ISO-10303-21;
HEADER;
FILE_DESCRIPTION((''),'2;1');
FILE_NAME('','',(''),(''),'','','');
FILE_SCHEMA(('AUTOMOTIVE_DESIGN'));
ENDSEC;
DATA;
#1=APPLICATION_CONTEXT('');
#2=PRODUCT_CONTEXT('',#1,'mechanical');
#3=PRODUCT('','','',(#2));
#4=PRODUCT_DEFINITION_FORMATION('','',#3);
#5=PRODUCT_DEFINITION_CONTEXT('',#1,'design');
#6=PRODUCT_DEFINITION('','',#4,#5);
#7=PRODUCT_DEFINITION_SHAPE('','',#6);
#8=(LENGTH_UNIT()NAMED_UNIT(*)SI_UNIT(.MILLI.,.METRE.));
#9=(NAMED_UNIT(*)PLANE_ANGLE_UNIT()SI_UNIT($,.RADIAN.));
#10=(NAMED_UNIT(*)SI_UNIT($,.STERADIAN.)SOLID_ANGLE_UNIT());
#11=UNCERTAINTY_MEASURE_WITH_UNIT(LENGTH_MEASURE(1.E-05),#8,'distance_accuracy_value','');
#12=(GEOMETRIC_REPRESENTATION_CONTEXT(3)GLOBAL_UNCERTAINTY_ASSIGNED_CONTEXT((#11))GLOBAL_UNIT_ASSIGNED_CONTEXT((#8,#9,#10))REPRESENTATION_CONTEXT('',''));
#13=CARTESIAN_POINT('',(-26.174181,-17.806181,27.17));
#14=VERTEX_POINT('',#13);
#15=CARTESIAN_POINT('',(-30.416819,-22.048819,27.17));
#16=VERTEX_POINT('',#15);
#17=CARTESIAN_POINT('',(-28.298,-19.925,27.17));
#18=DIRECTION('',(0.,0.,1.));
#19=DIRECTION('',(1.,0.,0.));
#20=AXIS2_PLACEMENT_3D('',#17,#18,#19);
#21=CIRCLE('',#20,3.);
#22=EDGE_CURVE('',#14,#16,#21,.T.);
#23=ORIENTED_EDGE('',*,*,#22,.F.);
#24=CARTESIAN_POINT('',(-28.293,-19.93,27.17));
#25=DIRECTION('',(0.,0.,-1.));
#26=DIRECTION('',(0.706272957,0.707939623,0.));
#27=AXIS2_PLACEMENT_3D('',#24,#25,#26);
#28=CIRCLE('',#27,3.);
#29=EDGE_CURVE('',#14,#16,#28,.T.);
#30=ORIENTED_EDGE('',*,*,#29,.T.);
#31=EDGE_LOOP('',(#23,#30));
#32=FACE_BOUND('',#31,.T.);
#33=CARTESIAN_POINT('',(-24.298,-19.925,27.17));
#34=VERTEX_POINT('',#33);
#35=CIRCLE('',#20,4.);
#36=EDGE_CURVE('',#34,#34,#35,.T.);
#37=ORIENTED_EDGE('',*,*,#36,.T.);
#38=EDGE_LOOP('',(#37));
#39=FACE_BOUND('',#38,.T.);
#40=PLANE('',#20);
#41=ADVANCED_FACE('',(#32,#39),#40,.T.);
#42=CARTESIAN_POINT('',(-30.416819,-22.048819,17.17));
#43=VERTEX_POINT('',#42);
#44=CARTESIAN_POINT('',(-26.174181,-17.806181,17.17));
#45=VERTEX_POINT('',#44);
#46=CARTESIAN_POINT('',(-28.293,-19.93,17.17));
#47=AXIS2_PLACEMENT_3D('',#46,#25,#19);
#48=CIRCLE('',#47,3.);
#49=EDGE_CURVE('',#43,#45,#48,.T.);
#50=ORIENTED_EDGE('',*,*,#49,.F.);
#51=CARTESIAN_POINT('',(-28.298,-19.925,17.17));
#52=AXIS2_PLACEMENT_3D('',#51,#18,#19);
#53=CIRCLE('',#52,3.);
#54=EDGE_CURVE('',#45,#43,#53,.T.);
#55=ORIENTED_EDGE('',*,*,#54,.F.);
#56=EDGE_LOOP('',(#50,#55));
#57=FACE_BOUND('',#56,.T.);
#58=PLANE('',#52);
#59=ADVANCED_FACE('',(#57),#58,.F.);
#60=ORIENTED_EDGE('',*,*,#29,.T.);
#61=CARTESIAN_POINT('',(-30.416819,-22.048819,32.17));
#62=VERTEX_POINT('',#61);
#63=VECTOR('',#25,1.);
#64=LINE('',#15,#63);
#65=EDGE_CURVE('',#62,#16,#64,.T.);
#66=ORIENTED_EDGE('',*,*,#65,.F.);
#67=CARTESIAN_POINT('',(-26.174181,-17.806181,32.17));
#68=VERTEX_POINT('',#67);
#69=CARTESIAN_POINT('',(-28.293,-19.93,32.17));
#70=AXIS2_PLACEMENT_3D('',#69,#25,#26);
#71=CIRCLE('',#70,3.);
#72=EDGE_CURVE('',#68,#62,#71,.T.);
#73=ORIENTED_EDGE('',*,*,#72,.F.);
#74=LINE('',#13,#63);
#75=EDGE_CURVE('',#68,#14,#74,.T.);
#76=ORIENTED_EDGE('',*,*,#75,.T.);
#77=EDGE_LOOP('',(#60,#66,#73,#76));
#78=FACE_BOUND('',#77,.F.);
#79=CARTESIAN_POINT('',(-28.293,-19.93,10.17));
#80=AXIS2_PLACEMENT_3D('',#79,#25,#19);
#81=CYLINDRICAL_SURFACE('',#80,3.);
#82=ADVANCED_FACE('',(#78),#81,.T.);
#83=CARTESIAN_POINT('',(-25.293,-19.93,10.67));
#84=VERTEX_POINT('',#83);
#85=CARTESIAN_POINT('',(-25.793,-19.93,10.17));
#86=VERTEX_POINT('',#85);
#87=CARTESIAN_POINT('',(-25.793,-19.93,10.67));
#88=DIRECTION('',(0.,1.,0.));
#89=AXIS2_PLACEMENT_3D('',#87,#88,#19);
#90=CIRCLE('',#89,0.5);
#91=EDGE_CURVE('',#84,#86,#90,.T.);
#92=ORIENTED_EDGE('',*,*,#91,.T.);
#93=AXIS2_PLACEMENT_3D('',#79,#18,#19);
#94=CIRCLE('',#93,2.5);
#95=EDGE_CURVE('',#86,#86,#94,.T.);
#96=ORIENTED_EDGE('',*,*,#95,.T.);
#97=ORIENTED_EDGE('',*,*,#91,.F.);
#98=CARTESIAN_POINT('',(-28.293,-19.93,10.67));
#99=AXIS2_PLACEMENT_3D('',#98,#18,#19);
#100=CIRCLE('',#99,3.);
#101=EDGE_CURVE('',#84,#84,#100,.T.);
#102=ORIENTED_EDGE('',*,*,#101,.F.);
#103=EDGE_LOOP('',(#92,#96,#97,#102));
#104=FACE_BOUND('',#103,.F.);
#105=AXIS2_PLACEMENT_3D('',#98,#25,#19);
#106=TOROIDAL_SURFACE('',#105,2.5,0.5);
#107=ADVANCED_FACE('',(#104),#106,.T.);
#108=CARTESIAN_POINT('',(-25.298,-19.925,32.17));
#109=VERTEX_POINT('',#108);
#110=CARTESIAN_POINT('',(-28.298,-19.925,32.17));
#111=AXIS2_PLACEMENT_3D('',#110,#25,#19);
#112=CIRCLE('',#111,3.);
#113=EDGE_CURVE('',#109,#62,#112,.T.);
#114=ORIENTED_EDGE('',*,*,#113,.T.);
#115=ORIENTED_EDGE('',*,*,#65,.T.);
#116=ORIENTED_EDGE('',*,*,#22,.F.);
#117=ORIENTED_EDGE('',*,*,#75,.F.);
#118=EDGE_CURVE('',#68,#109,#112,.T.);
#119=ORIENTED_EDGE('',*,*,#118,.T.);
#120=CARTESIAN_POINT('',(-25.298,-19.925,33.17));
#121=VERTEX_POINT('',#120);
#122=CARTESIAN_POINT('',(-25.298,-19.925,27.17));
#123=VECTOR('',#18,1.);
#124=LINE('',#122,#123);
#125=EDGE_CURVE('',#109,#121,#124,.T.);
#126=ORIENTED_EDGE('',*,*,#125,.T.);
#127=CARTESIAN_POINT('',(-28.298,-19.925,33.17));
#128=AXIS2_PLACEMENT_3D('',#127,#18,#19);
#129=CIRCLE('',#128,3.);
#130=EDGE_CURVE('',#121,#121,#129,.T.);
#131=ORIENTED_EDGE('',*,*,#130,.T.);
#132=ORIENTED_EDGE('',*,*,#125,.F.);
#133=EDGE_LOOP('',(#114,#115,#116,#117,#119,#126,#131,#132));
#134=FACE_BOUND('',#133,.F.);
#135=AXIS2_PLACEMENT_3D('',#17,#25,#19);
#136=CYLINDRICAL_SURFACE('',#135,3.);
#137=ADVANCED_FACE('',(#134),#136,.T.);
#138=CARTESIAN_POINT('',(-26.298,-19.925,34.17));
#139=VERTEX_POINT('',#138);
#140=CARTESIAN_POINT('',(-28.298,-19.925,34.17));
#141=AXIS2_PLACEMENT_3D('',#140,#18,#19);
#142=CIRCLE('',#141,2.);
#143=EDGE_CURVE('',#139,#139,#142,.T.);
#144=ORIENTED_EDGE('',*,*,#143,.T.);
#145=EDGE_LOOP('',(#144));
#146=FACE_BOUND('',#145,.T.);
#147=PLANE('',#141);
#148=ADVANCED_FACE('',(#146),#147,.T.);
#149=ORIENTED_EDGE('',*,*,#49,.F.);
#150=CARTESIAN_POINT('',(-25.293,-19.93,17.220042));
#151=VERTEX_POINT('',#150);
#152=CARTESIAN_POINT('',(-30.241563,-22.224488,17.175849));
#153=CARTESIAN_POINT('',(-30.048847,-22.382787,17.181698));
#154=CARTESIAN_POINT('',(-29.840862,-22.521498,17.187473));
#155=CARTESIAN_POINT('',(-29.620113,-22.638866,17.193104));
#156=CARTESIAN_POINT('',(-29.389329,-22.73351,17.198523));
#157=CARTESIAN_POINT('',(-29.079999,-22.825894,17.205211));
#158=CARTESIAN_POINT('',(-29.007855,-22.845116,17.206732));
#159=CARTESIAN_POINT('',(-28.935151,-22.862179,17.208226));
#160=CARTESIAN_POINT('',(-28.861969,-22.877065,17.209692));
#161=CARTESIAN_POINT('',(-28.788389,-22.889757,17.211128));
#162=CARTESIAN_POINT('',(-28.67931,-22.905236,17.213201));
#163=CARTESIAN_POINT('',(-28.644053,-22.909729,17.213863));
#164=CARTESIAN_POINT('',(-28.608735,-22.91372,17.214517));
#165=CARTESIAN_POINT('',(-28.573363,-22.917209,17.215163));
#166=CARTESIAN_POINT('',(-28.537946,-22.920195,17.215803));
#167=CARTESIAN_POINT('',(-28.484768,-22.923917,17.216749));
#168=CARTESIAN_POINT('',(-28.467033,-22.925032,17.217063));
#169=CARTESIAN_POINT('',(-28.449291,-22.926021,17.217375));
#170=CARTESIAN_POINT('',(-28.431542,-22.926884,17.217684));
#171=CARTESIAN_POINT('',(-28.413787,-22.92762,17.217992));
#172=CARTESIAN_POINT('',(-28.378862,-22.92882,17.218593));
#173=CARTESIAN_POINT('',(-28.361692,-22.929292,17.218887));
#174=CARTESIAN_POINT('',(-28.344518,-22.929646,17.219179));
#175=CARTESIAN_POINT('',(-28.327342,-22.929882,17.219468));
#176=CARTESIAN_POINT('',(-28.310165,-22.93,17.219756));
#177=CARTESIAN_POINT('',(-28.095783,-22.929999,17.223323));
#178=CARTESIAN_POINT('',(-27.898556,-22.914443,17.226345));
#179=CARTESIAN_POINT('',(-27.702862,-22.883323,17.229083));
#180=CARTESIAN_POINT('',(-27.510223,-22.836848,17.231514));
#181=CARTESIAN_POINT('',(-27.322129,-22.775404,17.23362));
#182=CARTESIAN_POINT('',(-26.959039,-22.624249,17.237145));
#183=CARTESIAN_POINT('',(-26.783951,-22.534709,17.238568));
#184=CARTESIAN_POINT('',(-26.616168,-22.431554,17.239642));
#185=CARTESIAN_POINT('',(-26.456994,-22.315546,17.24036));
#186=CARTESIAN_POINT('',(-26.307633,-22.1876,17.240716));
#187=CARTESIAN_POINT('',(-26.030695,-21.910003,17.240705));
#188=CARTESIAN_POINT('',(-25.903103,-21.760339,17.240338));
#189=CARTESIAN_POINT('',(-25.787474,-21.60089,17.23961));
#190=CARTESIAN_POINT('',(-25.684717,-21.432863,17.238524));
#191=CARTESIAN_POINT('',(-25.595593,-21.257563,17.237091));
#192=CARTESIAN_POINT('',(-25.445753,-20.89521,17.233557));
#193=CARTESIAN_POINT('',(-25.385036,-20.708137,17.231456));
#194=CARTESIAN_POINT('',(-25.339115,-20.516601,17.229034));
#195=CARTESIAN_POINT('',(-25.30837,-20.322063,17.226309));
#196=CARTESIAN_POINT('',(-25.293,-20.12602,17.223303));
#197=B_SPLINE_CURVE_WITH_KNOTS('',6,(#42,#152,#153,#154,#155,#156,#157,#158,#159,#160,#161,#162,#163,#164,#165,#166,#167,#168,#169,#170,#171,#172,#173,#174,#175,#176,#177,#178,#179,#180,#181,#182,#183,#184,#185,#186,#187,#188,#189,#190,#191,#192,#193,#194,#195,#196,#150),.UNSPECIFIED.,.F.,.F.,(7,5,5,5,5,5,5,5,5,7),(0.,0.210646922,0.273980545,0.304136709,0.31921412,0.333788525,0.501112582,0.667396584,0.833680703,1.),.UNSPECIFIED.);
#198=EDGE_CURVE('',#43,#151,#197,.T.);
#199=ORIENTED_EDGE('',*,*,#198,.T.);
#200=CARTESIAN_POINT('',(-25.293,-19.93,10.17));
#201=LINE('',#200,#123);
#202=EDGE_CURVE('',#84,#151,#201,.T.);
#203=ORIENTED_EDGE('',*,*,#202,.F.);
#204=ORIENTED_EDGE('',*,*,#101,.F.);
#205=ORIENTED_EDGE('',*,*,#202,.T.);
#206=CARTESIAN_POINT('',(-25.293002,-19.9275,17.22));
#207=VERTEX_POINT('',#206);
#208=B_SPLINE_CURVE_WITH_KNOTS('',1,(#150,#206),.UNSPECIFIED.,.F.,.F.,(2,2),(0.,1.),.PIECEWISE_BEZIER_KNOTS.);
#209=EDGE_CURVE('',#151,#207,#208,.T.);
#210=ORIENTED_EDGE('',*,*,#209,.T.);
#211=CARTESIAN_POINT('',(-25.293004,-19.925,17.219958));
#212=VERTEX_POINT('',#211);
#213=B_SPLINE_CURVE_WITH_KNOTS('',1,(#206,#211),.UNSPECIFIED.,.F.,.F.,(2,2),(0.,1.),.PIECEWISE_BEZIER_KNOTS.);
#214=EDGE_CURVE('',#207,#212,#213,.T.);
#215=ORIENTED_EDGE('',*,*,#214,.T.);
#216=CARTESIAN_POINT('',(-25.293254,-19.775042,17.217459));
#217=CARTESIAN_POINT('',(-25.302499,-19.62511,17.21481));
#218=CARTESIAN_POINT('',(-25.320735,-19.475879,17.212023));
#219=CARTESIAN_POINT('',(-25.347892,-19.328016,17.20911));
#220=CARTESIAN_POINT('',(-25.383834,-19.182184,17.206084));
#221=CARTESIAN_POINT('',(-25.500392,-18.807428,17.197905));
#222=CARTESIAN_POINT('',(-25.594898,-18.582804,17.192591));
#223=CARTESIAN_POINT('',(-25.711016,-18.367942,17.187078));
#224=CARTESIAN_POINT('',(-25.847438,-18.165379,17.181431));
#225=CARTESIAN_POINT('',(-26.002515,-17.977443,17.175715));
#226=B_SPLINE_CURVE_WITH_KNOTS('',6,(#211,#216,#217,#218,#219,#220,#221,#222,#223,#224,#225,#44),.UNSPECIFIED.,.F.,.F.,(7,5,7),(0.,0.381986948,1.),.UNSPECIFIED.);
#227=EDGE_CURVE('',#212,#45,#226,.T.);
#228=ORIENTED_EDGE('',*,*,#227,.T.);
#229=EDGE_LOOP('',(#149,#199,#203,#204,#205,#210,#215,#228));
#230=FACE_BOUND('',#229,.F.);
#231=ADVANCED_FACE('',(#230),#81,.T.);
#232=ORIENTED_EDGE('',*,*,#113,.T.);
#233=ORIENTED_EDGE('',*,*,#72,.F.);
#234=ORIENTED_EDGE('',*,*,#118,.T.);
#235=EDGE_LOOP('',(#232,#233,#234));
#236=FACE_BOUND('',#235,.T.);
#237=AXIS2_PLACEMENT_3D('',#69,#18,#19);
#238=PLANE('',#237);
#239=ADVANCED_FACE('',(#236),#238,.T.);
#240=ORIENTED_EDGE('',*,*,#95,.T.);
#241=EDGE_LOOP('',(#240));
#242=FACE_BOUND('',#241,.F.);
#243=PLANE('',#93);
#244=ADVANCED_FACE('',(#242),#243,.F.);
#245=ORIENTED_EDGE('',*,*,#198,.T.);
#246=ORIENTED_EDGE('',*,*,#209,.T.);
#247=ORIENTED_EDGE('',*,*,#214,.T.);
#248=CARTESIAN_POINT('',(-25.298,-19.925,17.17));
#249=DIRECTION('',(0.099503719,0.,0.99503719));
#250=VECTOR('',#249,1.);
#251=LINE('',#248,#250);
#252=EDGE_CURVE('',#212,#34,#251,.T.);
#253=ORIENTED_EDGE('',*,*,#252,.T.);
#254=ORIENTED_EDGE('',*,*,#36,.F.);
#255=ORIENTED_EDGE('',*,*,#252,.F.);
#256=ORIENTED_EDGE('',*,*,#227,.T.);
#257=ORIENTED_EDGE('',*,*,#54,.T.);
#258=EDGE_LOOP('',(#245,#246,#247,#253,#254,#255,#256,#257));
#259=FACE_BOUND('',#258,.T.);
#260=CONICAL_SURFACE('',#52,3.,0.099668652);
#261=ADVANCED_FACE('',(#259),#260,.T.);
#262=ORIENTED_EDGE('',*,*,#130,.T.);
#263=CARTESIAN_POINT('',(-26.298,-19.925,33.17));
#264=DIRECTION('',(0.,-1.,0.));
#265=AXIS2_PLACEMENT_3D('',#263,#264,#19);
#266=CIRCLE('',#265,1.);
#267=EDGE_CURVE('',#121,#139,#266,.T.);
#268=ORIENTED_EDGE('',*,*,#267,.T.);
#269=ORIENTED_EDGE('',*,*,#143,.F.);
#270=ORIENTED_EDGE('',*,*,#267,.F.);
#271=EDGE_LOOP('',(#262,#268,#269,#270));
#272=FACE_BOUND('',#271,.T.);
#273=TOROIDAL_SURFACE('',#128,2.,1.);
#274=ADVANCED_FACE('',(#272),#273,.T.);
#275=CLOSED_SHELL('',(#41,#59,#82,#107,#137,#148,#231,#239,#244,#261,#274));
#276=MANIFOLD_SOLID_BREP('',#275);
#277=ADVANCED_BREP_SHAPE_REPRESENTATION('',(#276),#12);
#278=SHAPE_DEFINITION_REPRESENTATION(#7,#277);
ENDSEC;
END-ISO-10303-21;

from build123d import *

# Parameters (mm, degrees)
CYLINDER004_R     = 3
CYLINDER004_DEPTH = 22
FILLET006_R       = 0.5
CYLINDER005_R     = 3
CYLINDER005_DEPTH = 7
FILLET005_R       = 1


with BuildPart() as fillet006:
    # Cylinder004 → Cylinder004 (new body)
    with BuildSketch(Plane(origin=(-43.635, 0.385, 10.17), x_dir=(1, 0, 0), z_dir=(0, 0, 1))):
        Circle(CYLINDER004_R)
    extrude(amount=CYLINDER004_DEPTH)

    # Fillet006
    fillet006_edges = [fillet006.edges().sort_by_distance(p)[0] for p in [
        (-46.635, 0.385, 10.17),
    ]]
    fillet(fillet006_edges, radius=FILLET006_R)


with BuildPart() as cone002:
    # Cone002 → Cone002 (revolve)
    with BuildSketch(Plane(origin=(-43.64, 0.39, 17.17), x_dir=(1, 0, 0), z_dir=(0, -1, 0))):
        Polygon((0, 0), (3, 0), (4, 10), (0, 10), align=None)
    revolve(axis=Axis((-43.64, 0.39, 17.17), (0, 0, 1)))


with BuildPart() as fusion003:
    # Cylinder005 → Cylinder005 (new body)
    with BuildSketch(Plane(origin=(-43.64, 0.39, 27.17), x_dir=(1, 0, 0), z_dir=(0, 0, 1))):
        Circle(CYLINDER005_R)
    extrude(amount=CYLINDER005_DEPTH)

    # Fillet005
    fillet005_edges = [fusion003.edges().sort_by_distance(p)[0] for p in [
        (-46.64, 0.39, 34.17),
    ]]
    fillet(fillet005_edges, radius=FILLET005_R)

    # Fusion003: union Fillet006, Cone002
    add(fillet006.part)
    add(cone002.part)


with BuildPart() as fusion003_1:
    # Fusion003 placement: moved
    add(fusion003.part.moved(Location((15.342, -20.315, 0))))


solid = fusion003_1.part
